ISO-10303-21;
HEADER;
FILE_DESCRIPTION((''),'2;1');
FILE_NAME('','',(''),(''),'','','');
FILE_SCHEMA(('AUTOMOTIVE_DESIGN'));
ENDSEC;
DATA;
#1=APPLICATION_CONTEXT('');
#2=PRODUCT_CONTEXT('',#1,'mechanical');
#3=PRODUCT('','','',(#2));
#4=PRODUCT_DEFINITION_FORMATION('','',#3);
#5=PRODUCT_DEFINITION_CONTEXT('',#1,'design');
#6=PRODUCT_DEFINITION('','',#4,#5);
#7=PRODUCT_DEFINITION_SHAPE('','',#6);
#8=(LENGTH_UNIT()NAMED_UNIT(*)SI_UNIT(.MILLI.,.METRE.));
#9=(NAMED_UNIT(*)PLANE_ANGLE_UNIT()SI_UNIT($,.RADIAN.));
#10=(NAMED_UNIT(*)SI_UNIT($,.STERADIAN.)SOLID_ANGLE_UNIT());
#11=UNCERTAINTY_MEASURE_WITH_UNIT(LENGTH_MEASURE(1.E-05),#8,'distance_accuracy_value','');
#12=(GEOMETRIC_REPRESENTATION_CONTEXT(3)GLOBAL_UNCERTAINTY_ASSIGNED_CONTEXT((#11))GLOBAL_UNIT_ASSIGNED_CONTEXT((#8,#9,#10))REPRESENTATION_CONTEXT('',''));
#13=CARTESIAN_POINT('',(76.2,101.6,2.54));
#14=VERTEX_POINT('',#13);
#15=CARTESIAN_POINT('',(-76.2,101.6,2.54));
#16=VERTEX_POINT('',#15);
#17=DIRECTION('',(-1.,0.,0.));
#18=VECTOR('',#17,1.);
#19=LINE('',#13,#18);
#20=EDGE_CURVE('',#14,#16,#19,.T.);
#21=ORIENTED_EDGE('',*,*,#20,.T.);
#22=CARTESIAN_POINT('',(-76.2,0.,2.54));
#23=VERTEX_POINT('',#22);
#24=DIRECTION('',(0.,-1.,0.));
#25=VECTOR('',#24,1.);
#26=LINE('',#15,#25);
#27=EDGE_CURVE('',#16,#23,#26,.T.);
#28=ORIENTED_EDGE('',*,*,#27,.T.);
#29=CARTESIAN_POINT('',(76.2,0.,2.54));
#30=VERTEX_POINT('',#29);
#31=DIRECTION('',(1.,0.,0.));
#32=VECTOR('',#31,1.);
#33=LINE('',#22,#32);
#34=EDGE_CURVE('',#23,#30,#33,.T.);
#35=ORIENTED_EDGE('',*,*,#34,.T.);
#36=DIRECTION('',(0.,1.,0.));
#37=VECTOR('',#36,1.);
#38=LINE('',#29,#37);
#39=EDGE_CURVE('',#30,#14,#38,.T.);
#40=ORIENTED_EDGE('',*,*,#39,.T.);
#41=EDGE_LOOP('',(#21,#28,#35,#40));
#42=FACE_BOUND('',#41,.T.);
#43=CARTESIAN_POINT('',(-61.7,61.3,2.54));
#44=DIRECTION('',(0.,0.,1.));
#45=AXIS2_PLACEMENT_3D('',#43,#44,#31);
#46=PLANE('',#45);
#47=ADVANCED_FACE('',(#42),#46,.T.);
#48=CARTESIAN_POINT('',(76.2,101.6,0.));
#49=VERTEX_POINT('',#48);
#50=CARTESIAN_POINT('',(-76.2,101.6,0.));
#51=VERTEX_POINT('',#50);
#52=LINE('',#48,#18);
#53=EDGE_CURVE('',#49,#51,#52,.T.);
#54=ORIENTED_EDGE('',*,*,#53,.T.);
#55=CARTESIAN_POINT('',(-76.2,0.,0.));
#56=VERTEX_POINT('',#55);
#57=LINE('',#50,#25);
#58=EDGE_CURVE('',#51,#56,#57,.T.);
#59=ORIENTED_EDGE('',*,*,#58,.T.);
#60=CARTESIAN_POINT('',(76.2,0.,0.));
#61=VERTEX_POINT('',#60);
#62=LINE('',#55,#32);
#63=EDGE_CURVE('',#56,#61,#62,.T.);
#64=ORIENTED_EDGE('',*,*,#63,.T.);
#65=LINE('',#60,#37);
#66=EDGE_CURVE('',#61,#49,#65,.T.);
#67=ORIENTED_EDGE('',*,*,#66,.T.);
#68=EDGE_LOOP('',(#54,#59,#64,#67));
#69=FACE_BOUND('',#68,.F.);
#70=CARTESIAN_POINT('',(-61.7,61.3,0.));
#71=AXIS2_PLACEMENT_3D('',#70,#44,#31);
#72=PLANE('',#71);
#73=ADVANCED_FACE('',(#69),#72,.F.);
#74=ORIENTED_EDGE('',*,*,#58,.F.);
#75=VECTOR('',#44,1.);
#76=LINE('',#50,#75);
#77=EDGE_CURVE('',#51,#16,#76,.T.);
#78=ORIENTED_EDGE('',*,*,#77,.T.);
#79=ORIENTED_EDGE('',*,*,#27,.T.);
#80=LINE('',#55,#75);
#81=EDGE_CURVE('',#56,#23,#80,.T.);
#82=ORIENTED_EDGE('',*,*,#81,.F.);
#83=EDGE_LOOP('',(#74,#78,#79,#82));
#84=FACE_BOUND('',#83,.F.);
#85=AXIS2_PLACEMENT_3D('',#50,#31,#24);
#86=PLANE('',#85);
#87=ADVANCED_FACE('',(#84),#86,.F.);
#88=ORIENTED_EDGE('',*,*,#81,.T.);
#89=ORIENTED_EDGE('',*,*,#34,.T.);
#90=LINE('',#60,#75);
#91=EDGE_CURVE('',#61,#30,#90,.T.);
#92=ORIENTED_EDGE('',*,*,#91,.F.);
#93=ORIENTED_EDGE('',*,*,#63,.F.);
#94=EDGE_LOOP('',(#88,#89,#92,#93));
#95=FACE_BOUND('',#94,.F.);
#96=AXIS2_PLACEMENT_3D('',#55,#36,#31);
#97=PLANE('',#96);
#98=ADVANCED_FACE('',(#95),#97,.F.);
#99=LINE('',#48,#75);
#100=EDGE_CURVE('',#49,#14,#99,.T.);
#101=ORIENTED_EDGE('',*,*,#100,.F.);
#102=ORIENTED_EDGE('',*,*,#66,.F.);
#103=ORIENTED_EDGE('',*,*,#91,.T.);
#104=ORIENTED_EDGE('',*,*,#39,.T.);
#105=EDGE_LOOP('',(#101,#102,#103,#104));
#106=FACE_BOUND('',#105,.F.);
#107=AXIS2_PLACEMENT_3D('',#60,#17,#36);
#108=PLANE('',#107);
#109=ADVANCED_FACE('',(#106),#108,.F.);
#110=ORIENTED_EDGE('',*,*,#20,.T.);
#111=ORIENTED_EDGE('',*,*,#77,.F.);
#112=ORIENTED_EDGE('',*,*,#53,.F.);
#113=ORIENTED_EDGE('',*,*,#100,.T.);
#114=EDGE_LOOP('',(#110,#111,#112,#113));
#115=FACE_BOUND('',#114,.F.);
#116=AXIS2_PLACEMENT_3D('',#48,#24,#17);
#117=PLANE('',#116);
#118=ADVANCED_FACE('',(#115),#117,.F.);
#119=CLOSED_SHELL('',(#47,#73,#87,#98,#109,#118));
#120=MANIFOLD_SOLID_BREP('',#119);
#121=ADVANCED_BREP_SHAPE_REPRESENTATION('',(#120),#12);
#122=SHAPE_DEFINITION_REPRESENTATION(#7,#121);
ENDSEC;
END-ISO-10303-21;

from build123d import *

# Parameters (mm, degrees)
F1_DEPTH = 2.54


with BuildPart() as f1:
    # F0 (on Top) → F1 (new body)
    with BuildSketch(Plane.XY):
        Polygon((-76.2, 63.8), (-76.2, 58.8), (-47.2, 58.8), (-47.2, 63.8), (-66.2, 63.8), align=None)
        Polygon((-76.2, 42.8), (-76.2, 37.8), (-66.2, 37.8), (-47.2, 37.8), (-47.2, 42.8), align=None)
        Polygon((-76.2, 37.8), (-76.2, 0), (76.2, 0), (76.2, 37.8), (66.2, 37.8), (66.2, 10), (-66.2, 10), (-66.2, 37.8), align=None)
        Polygon((66.2, 37.8), (76.2, 37.8), (76.2, 42.8), (47.2, 42.8), (47.2, 37.8), align=None)
        Polygon((47.2, 58.8), (76.2, 58.8), (76.2, 63.8), (66.2, 63.8), (47.2, 63.8), align=None)
        Polygon((-76.2, 101.6), (-76.2, 63.8), (-66.2, 63.8), (-66.2, 91.6), (66.2, 91.6), (66.2, 63.8), (76.2, 63.8), (76.2, 101.6), align=None)
        Polygon((-76.2, 58.8), (-76.2, 42.8), (-47.2, 42.8), (-47.2, 37.8), (-66.2, 37.8), (-66.2, 10), (66.2, 10), (66.2, 37.8), (47.2, 37.8), (47.2, 42.8), (76.2, 42.8), (76.2, 58.8), (47.2, 58.8), (47.2, 63.8), (66.2, 63.8), (66.2, 91.6), (-66.2, 91.6), (-66.2, 63.8), (-47.2, 63.8), (-47.2, 58.8), align=None)
    extrude(amount=F1_DEPTH)


solid = f1.part
